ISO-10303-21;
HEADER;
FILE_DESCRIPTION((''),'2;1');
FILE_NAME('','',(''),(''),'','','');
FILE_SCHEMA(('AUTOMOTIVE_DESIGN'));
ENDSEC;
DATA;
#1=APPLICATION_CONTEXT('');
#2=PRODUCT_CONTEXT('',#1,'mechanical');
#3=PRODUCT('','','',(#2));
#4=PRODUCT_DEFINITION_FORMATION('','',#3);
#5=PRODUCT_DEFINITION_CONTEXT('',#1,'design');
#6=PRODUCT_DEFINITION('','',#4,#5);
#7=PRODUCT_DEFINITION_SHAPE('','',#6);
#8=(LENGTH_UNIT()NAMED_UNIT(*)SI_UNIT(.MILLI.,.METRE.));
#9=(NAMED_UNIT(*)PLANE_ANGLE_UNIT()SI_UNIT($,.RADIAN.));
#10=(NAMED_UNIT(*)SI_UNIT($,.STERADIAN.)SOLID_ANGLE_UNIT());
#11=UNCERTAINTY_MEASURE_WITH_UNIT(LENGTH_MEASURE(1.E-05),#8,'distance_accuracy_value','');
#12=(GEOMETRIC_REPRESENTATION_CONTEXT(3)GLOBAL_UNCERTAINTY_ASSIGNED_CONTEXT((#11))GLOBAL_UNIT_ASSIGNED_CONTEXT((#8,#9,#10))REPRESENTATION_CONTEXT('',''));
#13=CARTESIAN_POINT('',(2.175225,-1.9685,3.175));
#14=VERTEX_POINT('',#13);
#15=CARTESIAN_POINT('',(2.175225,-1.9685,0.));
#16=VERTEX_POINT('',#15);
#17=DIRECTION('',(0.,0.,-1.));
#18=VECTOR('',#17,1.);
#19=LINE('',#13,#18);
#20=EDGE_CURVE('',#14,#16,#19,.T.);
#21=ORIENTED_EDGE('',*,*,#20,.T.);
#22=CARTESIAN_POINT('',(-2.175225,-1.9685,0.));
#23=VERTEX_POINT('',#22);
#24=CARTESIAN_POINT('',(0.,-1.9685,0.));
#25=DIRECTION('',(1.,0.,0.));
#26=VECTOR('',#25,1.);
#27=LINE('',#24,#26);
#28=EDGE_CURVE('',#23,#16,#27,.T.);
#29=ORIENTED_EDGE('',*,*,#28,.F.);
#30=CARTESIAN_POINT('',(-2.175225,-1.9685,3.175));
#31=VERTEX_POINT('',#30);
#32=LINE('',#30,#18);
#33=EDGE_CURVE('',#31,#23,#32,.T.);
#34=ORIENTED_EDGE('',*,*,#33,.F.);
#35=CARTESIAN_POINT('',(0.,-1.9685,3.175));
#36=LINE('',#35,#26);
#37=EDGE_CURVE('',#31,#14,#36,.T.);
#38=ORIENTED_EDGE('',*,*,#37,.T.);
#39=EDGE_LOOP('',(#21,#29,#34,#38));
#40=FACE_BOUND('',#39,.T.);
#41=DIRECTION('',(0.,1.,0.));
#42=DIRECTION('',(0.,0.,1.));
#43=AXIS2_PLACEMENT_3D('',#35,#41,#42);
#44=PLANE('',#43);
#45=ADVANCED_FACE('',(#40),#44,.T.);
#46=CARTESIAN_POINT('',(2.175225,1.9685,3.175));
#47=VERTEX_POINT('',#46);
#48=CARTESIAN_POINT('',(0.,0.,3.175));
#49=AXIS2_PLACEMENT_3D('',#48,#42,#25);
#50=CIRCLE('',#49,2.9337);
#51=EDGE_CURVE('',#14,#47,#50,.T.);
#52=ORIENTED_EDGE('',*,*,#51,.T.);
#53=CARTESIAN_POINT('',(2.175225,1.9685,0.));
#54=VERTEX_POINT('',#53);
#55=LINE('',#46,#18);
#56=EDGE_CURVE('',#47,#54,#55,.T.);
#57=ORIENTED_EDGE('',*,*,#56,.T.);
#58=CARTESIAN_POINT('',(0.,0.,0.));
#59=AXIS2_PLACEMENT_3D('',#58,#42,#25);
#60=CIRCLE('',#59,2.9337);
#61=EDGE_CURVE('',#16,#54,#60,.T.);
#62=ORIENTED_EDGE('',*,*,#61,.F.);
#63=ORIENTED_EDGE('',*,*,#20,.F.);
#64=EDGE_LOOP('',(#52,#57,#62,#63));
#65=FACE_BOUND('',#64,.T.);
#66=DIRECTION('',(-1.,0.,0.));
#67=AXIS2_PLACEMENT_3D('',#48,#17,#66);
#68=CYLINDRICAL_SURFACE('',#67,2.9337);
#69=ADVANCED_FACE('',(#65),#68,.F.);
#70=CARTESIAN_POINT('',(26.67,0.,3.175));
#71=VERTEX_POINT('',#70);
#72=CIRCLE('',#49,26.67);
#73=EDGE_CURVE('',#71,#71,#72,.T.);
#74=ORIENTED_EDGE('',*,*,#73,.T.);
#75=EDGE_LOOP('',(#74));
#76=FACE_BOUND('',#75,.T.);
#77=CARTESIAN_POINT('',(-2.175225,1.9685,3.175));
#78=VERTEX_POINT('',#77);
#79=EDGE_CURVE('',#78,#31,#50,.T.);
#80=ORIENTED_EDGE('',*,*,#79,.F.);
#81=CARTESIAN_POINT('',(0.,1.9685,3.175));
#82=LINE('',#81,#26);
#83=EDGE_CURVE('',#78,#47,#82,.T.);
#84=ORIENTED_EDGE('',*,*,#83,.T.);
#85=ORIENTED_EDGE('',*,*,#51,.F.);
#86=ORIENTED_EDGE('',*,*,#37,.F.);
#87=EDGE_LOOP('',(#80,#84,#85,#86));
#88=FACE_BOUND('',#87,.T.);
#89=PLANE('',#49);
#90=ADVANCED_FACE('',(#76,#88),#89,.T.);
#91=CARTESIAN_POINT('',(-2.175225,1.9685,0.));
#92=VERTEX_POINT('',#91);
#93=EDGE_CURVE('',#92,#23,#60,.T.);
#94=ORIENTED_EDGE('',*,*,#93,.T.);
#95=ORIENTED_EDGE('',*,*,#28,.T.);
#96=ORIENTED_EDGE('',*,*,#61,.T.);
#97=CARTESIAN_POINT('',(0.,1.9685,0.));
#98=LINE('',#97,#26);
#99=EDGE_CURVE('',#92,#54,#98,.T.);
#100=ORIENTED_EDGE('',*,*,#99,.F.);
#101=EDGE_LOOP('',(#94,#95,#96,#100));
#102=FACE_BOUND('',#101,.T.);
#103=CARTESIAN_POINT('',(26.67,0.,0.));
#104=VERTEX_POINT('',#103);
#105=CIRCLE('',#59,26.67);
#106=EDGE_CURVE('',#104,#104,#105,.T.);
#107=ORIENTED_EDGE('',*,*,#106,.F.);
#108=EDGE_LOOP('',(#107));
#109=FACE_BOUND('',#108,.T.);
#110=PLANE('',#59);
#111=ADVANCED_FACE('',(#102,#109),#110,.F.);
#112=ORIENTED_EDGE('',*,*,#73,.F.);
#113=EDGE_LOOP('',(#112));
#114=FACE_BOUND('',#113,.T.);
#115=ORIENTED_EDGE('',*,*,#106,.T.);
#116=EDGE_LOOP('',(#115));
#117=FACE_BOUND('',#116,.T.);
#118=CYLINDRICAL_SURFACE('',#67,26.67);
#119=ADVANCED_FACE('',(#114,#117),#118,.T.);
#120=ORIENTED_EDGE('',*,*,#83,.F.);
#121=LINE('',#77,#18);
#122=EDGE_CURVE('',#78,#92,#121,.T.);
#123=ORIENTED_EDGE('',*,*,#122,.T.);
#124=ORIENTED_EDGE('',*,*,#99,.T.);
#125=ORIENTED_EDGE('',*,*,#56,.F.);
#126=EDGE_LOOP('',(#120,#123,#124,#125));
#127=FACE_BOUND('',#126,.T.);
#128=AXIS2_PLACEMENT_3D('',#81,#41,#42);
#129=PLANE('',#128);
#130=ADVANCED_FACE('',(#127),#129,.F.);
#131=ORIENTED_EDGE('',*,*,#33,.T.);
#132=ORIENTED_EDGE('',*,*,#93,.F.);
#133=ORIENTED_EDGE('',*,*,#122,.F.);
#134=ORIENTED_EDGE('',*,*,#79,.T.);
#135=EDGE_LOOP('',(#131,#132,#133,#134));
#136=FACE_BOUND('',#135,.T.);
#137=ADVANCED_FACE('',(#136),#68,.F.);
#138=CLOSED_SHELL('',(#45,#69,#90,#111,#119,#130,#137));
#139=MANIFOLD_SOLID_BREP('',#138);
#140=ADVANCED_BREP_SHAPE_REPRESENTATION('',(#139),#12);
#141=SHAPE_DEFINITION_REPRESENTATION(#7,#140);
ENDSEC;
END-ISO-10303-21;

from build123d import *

# Parameters (mm, degrees)
SKETCH1_R           = 26.67
BOSS_EXTRUDE1_DEPTH = 3.175


with BuildPart() as part:
    # Sketch1 → Boss-Extrude1 (new body)
    with BuildSketch(Plane.XY):
        Circle(SKETCH1_R)
        with BuildLine():
            ThreePointArc((-2.175224917, 1.9685), (-2.9337, 0), (-2.175224917, -1.9685))
            Line((-2.175224917, -1.9685), (2.175224917, -1.9685))
            ThreePointArc((2.175224917, -1.9685), (2.9337, 0), (2.175224917, 1.9685))
            Line((2.175224917, 1.9685), (-2.175224917, 1.9685))
        make_face(mode=Mode.SUBTRACT)
    extrude(amount=BOSS_EXTRUDE1_DEPTH)


solid = part.part
